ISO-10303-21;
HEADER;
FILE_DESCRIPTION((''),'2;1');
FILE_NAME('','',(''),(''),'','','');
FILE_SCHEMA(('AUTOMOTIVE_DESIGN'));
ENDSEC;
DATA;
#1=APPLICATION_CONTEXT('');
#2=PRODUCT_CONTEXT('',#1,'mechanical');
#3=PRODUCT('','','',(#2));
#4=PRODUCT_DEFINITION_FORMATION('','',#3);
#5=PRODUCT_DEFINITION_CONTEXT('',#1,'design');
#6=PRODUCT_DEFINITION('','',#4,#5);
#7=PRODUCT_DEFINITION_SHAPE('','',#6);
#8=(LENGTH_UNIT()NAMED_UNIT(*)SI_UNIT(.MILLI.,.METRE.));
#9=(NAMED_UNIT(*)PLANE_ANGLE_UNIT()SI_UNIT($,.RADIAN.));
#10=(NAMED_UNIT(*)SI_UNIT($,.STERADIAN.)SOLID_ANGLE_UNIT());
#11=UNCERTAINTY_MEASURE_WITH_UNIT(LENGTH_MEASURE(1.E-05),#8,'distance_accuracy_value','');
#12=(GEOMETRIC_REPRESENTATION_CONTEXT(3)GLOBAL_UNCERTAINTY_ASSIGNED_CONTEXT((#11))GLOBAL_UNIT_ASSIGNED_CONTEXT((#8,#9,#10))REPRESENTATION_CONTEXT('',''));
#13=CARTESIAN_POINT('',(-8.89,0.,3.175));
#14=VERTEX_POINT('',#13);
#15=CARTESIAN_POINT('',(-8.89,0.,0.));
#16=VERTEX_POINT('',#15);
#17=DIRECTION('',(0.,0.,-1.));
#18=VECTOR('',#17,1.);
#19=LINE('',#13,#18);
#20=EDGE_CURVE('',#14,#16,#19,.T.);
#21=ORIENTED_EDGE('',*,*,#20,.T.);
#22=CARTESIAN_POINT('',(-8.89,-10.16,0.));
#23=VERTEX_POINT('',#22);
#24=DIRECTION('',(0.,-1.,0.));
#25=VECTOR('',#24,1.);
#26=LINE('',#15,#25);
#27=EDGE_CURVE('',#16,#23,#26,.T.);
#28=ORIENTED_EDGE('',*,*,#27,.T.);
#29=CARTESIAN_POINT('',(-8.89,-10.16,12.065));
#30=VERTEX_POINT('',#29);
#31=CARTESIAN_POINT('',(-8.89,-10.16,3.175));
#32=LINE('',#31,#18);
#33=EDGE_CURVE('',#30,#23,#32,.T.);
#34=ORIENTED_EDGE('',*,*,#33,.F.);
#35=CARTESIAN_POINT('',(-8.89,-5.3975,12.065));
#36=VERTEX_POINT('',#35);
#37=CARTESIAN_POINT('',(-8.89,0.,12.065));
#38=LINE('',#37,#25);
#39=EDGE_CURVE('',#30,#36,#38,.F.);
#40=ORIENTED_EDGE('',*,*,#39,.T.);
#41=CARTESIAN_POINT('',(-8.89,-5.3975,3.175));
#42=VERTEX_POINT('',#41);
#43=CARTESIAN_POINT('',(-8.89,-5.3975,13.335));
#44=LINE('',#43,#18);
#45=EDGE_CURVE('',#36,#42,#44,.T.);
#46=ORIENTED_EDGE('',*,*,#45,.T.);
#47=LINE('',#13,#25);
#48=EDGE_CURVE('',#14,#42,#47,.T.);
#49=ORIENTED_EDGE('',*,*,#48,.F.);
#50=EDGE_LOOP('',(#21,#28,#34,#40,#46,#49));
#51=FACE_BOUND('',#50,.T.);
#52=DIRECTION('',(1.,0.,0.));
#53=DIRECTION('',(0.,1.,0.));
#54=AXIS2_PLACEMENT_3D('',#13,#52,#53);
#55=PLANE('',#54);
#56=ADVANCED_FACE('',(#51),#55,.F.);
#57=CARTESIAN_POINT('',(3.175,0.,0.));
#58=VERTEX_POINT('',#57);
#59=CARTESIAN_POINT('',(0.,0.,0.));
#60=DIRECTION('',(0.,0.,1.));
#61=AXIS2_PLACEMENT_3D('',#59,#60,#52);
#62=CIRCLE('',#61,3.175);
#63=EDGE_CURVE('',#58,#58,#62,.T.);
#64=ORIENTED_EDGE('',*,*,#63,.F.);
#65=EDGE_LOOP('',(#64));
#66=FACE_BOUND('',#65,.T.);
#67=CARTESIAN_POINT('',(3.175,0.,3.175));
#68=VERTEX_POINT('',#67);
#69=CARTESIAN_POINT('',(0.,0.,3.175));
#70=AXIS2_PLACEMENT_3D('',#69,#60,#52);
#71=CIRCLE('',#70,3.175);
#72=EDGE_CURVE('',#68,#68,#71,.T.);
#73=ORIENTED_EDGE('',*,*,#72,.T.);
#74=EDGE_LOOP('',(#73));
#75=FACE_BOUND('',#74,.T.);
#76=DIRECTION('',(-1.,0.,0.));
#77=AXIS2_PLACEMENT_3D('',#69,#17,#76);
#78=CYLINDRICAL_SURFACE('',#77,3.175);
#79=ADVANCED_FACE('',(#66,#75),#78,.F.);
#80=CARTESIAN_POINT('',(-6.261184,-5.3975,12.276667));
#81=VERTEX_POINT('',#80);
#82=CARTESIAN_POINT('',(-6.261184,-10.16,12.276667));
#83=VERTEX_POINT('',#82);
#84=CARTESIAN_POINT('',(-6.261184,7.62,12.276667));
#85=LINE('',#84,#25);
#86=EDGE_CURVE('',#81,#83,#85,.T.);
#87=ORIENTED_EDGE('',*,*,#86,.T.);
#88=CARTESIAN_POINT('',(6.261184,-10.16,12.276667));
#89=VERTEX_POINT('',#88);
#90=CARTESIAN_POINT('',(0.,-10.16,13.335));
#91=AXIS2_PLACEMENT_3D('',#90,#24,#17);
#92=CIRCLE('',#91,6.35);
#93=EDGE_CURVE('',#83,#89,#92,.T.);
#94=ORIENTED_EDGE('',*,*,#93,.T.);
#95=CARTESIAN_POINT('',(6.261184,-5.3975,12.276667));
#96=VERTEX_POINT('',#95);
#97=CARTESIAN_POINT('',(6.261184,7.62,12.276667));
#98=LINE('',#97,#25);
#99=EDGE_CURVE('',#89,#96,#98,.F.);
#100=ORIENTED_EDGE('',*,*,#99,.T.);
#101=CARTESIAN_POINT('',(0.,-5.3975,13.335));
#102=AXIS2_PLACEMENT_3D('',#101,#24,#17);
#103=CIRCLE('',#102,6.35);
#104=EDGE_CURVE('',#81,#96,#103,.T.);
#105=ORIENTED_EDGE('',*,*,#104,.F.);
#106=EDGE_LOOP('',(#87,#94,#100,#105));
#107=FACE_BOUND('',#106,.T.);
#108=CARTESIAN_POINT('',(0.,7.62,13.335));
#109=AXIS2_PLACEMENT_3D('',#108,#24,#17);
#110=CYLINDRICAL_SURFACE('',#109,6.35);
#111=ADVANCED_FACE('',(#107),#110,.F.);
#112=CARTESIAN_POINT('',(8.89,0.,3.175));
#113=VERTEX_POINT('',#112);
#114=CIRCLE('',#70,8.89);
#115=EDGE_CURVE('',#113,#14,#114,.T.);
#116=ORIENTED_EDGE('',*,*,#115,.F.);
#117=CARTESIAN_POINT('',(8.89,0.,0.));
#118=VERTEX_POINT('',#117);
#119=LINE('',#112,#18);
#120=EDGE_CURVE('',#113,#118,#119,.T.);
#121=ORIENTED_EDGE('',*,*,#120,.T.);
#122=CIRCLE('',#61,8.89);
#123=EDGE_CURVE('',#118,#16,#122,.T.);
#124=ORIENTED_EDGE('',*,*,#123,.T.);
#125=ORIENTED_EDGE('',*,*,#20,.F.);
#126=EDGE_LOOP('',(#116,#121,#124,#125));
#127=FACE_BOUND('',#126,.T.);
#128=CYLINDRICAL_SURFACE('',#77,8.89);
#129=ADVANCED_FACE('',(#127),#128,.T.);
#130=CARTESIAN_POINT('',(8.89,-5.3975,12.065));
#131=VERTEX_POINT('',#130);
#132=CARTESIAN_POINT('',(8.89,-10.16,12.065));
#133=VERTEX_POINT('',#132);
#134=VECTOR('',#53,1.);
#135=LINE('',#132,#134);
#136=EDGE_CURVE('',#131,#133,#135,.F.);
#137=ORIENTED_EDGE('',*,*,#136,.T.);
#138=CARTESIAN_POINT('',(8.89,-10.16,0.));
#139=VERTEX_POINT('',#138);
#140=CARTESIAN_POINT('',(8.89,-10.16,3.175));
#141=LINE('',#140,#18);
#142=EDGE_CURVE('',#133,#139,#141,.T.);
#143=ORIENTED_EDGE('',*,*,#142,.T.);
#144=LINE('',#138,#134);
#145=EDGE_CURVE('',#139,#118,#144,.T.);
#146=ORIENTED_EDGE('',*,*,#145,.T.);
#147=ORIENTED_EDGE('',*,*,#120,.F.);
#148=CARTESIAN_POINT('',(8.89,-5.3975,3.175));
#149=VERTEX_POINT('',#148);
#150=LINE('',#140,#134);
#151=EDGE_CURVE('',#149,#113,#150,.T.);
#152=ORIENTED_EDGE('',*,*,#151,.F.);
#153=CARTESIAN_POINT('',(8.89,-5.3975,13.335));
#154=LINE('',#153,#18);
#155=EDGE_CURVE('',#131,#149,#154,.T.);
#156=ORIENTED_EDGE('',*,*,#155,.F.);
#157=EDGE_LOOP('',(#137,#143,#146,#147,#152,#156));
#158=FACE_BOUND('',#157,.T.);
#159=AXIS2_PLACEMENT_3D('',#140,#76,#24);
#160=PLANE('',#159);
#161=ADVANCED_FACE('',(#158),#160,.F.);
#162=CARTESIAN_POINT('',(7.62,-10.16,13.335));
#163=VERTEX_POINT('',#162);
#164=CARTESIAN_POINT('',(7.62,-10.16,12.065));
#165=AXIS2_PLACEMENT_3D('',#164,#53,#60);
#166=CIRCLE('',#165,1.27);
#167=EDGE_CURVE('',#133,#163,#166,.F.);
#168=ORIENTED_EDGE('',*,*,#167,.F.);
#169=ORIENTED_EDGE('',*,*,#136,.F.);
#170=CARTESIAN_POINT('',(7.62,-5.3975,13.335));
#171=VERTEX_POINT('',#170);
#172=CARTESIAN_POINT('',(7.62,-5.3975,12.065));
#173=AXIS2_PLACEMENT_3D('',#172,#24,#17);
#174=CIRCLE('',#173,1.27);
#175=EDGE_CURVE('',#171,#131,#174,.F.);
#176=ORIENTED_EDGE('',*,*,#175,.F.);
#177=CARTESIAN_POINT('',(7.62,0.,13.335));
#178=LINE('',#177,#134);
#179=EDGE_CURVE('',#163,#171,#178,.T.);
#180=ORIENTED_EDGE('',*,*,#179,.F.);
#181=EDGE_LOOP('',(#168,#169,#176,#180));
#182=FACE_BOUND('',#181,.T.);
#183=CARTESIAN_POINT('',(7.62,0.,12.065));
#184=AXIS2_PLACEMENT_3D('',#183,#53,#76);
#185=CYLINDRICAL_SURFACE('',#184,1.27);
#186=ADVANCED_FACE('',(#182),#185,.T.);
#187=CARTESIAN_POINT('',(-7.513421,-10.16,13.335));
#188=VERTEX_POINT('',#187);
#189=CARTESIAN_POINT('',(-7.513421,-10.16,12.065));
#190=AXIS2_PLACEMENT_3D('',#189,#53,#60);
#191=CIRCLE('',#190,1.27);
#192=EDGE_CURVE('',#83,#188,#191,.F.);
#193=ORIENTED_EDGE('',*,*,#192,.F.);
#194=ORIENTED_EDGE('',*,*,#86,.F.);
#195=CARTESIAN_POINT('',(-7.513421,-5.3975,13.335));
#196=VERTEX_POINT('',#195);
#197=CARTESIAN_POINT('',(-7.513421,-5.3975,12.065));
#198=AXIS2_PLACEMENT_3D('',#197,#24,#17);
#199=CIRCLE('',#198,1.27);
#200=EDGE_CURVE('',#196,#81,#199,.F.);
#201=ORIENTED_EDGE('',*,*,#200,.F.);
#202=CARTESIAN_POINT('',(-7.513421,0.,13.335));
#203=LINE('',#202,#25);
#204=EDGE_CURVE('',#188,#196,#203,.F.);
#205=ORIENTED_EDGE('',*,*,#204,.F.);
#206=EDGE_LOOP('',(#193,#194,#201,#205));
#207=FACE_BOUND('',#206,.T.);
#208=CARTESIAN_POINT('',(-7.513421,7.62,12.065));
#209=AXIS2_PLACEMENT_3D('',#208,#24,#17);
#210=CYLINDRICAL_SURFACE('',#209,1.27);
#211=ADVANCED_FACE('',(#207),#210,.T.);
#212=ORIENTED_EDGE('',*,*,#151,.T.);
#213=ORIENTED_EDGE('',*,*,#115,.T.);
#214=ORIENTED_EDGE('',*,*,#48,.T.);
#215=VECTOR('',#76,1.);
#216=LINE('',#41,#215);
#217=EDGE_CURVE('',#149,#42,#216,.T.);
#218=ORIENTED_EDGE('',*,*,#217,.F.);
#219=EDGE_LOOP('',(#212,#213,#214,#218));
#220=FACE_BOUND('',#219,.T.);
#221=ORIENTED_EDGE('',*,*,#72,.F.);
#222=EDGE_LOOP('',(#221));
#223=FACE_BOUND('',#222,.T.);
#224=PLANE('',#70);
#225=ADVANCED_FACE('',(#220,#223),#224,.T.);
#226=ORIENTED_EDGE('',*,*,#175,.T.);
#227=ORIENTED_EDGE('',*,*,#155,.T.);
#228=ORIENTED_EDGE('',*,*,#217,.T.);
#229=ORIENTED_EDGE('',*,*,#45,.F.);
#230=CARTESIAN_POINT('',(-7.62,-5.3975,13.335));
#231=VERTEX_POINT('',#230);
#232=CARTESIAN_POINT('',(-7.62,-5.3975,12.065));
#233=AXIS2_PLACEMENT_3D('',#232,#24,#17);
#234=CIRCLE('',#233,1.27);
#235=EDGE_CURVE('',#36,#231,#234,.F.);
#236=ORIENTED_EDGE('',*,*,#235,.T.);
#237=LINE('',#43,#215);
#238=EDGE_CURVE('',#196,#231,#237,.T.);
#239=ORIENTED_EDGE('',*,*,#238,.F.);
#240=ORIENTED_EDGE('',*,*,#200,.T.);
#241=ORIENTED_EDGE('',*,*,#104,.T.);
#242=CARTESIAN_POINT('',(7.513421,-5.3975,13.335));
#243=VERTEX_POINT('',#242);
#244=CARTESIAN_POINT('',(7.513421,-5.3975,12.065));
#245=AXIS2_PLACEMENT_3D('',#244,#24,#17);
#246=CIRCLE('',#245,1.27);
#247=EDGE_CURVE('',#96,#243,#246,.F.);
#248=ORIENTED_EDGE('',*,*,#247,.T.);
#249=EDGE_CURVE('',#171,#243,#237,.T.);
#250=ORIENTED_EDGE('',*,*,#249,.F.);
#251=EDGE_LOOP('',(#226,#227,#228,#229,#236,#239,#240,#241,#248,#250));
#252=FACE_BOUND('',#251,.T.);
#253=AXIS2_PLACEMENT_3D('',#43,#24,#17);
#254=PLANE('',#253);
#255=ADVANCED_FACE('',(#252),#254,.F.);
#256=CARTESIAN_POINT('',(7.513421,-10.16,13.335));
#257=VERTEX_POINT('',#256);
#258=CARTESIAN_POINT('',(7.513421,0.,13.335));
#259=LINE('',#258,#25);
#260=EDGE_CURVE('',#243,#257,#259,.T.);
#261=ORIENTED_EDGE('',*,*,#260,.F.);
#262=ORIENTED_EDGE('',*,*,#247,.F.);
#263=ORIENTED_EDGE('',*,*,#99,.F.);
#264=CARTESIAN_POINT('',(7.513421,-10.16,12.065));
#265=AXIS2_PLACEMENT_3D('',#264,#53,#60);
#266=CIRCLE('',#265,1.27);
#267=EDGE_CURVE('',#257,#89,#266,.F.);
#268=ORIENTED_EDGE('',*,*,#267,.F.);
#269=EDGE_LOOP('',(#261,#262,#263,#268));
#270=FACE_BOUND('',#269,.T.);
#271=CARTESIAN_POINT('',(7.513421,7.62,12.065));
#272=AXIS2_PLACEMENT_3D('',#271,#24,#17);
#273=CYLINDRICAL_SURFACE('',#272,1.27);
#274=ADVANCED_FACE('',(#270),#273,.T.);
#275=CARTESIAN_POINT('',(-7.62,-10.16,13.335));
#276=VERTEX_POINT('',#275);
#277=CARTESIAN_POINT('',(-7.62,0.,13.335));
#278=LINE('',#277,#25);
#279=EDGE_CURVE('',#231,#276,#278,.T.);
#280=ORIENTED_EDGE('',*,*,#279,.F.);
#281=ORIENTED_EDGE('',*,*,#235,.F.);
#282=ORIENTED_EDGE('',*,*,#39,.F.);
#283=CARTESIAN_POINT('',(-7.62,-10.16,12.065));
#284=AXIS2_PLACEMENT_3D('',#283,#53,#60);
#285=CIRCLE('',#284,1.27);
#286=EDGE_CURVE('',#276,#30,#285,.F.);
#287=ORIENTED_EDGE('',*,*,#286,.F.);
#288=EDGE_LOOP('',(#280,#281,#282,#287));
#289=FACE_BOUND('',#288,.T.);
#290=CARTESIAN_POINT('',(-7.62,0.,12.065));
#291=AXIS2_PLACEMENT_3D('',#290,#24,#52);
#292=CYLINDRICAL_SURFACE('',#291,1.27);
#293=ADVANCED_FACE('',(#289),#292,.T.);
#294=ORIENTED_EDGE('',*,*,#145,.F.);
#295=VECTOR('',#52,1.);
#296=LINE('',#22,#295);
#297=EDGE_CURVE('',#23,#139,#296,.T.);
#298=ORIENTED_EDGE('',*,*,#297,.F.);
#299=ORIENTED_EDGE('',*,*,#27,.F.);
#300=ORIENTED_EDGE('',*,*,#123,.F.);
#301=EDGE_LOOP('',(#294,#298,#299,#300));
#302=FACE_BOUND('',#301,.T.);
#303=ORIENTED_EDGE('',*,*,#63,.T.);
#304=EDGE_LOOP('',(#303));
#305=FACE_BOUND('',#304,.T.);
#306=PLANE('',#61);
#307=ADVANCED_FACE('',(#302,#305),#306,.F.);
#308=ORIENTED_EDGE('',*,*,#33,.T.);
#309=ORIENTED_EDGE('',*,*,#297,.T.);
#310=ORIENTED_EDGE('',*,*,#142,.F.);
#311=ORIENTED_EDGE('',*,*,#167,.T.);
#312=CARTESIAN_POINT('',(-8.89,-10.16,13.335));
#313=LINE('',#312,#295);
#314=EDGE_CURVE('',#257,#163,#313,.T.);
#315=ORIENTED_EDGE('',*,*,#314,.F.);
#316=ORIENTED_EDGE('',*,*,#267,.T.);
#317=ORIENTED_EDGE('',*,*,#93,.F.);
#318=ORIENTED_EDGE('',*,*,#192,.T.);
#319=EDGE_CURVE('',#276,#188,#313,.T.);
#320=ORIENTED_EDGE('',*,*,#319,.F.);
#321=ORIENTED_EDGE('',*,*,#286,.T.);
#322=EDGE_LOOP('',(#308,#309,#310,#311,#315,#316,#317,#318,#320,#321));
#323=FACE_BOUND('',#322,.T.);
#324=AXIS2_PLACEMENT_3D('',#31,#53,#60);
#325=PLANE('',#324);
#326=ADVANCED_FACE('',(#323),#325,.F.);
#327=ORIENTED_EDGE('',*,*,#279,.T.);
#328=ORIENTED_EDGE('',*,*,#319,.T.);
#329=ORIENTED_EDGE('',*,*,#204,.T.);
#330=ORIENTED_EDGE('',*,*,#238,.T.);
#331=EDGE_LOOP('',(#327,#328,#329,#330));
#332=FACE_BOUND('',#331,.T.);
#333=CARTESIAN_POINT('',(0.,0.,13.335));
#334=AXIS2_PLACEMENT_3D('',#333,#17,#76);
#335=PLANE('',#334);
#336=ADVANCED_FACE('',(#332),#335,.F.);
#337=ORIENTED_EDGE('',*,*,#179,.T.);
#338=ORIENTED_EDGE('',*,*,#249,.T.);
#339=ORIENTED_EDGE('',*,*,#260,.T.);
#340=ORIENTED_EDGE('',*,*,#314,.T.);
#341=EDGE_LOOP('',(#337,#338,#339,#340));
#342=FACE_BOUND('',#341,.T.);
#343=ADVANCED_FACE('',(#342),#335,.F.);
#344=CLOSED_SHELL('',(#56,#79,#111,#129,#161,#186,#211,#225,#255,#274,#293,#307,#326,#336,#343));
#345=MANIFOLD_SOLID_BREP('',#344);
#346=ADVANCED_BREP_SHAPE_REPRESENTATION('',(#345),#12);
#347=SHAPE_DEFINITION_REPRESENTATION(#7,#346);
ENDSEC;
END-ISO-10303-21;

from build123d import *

# Parameters (mm, degrees)
SKETCH1_R           = 3.175
BOSS_EXTRUDE1_DEPTH = 3.175
SKETCH2_W           = 17.78
SKETCH2_H           = 4.7625
BOSS_EXTRUDE2_DEPTH = 10.16
SKETCH3_R           = 6.35
CUT_EXTRUDE1_DEPTH  = 17.78
FILLET2_R           = 1.27
FILLET3_R           = 1.27


with BuildPart() as part:
    # Sketch1 → Boss-Extrude1 (new body)
    with BuildSketch(Plane.XY):
        with BuildLine():
            Line((-8.89, 0), (-8.89, -10.16))
            Line((-8.89, -10.16), (8.89, -10.16))
            Line((8.89, -10.16), (8.89, 0))
            ThreePointArc((8.89, 0), (0, 8.89), (-8.89, 0))
        make_face()
        Circle(SKETCH1_R, mode=Mode.SUBTRACT)
    extrude(amount=BOSS_EXTRUDE1_DEPTH)

    # Sketch2 → Boss-Extrude2 (add)
    with BuildSketch(Plane.XY.offset(3.175)):
        with Locations((0, -7.77875)):
            Rectangle(SKETCH2_W, SKETCH2_H)
    extrude(amount=BOSS_EXTRUDE2_DEPTH)

    # Sketch3 → Cut-Extrude1 (cut)
    with BuildSketch(Plane(origin=(0, -10.16, 0), x_dir=(-1, 0, 0), z_dir=(0, -1, 0))):
        with Locations((0, -13.335)):
            Circle(SKETCH3_R)
    extrude(amount=-CUT_EXTRUDE1_DEPTH, mode=Mode.SUBTRACT)

    # Fillet2
    fillet2_edges = [part.edges().sort_by_distance(p)[0] for p in [
        (-8.89, -7.77875, 13.335),
        (8.89, -7.77875, 13.335),
    ]]
    fillet(fillet2_edges, radius=FILLET2_R)

    # Fillet3
    fillet3_edges = [part.edges().sort_by_distance(p)[0] for p in [
        (-6.35, -7.77875, 13.335),
        (6.35, -7.77875, 13.335),
    ]]
    fillet(fillet3_edges, radius=FILLET3_R)


solid = part.part
